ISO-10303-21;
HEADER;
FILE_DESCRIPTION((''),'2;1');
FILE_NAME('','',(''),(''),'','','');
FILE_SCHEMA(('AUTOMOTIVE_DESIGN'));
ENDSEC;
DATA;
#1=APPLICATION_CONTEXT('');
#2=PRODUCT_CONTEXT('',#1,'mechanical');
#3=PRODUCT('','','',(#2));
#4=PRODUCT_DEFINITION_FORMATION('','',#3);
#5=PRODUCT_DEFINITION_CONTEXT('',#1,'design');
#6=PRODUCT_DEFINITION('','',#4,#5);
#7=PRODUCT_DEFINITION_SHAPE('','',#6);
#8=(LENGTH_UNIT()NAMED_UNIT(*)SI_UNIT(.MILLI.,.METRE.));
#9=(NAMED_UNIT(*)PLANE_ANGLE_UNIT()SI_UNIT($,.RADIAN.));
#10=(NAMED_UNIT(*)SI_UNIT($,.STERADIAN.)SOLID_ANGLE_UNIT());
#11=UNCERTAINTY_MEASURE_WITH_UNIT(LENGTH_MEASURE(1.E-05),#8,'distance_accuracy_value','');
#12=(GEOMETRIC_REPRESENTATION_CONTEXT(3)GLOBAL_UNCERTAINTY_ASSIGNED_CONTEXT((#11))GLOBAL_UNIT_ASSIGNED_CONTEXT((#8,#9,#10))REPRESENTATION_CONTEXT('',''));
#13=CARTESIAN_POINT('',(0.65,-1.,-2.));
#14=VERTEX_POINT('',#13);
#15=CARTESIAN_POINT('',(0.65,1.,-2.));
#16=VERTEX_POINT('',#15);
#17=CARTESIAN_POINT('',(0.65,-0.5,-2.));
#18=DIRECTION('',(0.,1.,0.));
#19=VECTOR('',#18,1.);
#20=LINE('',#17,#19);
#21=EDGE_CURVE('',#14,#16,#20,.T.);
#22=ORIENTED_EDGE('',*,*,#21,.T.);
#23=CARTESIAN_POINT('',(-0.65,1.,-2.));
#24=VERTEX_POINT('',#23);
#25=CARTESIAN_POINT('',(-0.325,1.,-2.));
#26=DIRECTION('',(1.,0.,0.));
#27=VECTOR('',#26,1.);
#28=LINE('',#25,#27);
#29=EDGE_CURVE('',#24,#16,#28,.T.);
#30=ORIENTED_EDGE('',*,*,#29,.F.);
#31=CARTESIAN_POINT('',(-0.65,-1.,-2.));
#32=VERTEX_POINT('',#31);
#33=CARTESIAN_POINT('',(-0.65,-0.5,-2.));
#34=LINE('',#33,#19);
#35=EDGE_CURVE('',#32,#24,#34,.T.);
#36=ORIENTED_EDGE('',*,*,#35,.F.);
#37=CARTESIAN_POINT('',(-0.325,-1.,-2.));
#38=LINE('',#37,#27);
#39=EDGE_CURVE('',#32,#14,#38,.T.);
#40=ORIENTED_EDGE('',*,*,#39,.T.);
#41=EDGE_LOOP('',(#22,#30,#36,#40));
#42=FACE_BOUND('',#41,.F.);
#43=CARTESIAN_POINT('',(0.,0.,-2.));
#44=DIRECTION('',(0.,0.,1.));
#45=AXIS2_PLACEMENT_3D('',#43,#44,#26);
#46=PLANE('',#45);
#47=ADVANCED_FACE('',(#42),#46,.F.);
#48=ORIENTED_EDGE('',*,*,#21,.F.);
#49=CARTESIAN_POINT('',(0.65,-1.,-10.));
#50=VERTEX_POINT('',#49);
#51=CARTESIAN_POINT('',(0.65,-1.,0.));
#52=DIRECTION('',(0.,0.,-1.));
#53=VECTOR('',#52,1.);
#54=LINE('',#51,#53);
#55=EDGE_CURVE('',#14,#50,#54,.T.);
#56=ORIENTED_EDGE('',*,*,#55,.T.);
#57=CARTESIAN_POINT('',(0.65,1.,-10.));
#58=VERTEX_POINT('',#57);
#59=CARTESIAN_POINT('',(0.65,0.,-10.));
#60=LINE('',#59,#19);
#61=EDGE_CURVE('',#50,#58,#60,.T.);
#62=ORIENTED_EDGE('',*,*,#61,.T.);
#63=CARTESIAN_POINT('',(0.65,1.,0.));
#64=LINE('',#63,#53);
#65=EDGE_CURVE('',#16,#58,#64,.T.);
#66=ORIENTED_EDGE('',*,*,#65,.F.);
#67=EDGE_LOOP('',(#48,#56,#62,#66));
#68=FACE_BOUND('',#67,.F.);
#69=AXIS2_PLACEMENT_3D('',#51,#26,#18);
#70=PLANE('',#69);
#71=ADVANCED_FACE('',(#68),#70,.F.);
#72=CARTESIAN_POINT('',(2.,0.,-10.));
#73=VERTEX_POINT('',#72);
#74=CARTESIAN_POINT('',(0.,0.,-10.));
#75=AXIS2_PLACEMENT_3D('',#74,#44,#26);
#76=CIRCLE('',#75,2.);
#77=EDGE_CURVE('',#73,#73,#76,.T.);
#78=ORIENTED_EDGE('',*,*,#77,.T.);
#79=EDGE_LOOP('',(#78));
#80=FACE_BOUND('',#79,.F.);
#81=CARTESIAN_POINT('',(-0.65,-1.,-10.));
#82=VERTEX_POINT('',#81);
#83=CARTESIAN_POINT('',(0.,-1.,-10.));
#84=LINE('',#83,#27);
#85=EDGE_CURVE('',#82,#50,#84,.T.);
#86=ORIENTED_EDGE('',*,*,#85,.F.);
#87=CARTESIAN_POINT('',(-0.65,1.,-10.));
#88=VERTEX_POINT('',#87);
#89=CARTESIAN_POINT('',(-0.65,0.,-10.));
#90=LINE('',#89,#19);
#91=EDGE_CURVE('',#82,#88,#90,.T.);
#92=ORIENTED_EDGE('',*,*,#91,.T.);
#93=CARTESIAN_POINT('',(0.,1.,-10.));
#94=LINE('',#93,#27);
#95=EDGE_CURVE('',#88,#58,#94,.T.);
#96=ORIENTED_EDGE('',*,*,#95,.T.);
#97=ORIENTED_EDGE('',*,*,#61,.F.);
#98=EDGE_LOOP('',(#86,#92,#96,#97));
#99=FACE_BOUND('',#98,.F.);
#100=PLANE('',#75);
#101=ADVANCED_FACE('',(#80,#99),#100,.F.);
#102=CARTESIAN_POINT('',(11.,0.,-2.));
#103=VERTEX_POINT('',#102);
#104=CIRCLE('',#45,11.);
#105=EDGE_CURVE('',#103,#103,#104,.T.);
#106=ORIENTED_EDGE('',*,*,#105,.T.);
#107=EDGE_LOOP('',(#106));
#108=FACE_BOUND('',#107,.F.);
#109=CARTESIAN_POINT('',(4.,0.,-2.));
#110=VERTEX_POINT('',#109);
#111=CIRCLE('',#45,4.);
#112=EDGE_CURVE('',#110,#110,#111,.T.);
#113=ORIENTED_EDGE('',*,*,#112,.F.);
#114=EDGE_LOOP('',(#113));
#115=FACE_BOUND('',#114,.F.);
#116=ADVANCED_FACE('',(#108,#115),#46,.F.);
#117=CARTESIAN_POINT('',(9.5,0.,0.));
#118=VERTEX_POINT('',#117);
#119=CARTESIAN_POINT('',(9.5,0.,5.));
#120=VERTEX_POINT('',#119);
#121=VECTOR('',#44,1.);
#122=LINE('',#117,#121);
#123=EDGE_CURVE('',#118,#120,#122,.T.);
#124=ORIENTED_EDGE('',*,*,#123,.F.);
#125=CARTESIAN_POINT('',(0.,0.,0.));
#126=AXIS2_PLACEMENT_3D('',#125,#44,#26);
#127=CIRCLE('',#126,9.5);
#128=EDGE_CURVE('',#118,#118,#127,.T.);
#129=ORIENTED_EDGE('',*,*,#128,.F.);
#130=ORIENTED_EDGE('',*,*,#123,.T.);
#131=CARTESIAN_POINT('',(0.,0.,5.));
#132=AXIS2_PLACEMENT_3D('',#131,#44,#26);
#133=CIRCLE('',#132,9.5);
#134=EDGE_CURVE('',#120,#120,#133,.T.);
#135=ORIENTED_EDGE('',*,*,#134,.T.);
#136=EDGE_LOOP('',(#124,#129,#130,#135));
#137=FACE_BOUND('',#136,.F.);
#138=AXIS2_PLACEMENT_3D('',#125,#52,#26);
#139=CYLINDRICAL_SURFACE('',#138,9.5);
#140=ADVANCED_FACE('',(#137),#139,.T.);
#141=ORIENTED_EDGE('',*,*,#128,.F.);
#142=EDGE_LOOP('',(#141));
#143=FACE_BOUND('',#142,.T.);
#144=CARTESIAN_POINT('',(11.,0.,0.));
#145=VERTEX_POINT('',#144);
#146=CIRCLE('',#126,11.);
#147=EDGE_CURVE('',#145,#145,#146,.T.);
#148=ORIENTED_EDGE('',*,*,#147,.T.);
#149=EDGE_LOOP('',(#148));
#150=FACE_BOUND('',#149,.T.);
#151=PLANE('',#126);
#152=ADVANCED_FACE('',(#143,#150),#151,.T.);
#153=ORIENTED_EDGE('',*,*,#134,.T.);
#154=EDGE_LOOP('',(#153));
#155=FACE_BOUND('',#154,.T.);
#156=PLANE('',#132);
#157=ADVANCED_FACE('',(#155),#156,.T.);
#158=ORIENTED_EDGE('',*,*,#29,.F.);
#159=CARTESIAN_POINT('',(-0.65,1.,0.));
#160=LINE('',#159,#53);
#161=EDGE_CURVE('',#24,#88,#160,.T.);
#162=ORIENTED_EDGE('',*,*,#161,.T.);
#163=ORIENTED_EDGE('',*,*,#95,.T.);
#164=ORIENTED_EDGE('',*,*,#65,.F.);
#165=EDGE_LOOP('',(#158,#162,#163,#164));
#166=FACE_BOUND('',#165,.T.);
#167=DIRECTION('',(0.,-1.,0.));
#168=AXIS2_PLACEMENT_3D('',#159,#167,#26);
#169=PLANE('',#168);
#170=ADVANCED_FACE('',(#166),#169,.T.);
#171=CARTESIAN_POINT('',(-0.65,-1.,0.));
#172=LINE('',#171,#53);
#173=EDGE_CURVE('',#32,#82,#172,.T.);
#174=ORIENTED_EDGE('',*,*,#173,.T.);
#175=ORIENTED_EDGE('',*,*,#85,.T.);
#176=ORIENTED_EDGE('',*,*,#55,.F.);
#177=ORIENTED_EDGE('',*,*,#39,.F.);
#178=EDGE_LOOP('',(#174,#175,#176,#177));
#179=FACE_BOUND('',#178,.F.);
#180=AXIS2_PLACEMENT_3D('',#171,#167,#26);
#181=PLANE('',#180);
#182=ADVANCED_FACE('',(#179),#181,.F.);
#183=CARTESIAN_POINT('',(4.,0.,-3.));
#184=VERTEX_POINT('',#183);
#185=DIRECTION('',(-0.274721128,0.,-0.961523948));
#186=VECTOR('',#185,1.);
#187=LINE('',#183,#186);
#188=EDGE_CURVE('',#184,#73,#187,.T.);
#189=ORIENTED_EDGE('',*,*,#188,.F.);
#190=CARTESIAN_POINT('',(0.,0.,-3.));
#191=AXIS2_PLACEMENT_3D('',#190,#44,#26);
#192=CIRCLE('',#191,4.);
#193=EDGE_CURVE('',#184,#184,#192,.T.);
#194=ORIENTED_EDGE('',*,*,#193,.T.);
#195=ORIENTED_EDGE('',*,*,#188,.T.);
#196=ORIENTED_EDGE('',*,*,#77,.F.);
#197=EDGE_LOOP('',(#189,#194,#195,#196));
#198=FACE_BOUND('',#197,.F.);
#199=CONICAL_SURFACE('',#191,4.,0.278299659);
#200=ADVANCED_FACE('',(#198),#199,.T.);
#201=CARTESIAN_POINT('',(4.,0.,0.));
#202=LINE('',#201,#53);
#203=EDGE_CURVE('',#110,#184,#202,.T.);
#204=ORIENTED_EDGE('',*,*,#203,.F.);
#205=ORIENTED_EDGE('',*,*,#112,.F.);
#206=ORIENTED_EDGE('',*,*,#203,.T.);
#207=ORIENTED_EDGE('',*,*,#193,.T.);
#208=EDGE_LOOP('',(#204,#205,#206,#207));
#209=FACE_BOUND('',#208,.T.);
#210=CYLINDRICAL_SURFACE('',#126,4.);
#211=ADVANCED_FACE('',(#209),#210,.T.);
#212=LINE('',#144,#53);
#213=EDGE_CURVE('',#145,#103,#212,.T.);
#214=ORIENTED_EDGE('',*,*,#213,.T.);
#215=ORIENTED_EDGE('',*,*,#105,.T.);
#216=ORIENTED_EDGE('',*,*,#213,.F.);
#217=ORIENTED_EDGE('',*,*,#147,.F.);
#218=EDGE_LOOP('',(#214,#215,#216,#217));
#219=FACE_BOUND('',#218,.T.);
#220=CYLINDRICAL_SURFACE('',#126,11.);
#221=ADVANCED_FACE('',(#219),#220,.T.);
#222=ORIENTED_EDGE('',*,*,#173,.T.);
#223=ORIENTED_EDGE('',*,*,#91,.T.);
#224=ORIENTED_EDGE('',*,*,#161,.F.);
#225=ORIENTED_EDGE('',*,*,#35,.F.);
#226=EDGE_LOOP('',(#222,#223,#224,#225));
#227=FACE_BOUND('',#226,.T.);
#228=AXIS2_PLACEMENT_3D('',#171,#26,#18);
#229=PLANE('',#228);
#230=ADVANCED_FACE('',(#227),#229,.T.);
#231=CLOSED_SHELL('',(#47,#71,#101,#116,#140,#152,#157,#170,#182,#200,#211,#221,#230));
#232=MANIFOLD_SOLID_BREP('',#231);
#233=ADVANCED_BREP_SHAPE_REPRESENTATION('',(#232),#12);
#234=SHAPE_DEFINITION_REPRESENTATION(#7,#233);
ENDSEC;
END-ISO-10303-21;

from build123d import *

# Parameters (mm, degrees)
F0_R     = 11
F0_R_2   = 9.5
F0_R_3   = 4
F0_W     = 1.3
F0_H     = 2
F1_DEPTH = 2
F2_DEPTH = 5
F3_DEPTH = 10
F4_SIZE2 = 2
F4_SIZE  = 7


with BuildPart() as f1:
    # F0 (on Top) → F1 (new body)
    with BuildSketch(Plane.XY):
        Circle(F0_R)
        Circle(F0_R_2, mode=Mode.SUBTRACT)
        Circle(F0_R_2)
        Circle(F0_R_3, mode=Mode.SUBTRACT)
        Circle(F0_R_3)
        Rectangle(F0_W, F0_H, mode=Mode.SUBTRACT)
        Rectangle(F0_W, F0_H)
    extrude(amount=-F1_DEPTH)

    # F0 (on Top) → F2 (join)
    with BuildSketch(Plane.XY):
        Circle(F0_R_2)
        Circle(F0_R_3, mode=Mode.SUBTRACT)
        Circle(F0_R_3)
        Rectangle(F0_W, F0_H, mode=Mode.SUBTRACT)
        Rectangle(F0_W, F0_H)
    extrude(amount=F2_DEPTH)

    # F0 (on Top) → F3 (join)
    with BuildSketch(Plane.XY):
        Circle(F0_R_3)
        Rectangle(F0_W, F0_H, mode=Mode.SUBTRACT)
    extrude(amount=-F3_DEPTH)

    # F4
    f4_edges = [f1.edges().sort_by_distance(p)[0] for p in [
        (-4, 0, -10),
    ]]
    chamfer(f4_edges, length=F4_SIZE, length2=F4_SIZE2)


solid = f1.part
